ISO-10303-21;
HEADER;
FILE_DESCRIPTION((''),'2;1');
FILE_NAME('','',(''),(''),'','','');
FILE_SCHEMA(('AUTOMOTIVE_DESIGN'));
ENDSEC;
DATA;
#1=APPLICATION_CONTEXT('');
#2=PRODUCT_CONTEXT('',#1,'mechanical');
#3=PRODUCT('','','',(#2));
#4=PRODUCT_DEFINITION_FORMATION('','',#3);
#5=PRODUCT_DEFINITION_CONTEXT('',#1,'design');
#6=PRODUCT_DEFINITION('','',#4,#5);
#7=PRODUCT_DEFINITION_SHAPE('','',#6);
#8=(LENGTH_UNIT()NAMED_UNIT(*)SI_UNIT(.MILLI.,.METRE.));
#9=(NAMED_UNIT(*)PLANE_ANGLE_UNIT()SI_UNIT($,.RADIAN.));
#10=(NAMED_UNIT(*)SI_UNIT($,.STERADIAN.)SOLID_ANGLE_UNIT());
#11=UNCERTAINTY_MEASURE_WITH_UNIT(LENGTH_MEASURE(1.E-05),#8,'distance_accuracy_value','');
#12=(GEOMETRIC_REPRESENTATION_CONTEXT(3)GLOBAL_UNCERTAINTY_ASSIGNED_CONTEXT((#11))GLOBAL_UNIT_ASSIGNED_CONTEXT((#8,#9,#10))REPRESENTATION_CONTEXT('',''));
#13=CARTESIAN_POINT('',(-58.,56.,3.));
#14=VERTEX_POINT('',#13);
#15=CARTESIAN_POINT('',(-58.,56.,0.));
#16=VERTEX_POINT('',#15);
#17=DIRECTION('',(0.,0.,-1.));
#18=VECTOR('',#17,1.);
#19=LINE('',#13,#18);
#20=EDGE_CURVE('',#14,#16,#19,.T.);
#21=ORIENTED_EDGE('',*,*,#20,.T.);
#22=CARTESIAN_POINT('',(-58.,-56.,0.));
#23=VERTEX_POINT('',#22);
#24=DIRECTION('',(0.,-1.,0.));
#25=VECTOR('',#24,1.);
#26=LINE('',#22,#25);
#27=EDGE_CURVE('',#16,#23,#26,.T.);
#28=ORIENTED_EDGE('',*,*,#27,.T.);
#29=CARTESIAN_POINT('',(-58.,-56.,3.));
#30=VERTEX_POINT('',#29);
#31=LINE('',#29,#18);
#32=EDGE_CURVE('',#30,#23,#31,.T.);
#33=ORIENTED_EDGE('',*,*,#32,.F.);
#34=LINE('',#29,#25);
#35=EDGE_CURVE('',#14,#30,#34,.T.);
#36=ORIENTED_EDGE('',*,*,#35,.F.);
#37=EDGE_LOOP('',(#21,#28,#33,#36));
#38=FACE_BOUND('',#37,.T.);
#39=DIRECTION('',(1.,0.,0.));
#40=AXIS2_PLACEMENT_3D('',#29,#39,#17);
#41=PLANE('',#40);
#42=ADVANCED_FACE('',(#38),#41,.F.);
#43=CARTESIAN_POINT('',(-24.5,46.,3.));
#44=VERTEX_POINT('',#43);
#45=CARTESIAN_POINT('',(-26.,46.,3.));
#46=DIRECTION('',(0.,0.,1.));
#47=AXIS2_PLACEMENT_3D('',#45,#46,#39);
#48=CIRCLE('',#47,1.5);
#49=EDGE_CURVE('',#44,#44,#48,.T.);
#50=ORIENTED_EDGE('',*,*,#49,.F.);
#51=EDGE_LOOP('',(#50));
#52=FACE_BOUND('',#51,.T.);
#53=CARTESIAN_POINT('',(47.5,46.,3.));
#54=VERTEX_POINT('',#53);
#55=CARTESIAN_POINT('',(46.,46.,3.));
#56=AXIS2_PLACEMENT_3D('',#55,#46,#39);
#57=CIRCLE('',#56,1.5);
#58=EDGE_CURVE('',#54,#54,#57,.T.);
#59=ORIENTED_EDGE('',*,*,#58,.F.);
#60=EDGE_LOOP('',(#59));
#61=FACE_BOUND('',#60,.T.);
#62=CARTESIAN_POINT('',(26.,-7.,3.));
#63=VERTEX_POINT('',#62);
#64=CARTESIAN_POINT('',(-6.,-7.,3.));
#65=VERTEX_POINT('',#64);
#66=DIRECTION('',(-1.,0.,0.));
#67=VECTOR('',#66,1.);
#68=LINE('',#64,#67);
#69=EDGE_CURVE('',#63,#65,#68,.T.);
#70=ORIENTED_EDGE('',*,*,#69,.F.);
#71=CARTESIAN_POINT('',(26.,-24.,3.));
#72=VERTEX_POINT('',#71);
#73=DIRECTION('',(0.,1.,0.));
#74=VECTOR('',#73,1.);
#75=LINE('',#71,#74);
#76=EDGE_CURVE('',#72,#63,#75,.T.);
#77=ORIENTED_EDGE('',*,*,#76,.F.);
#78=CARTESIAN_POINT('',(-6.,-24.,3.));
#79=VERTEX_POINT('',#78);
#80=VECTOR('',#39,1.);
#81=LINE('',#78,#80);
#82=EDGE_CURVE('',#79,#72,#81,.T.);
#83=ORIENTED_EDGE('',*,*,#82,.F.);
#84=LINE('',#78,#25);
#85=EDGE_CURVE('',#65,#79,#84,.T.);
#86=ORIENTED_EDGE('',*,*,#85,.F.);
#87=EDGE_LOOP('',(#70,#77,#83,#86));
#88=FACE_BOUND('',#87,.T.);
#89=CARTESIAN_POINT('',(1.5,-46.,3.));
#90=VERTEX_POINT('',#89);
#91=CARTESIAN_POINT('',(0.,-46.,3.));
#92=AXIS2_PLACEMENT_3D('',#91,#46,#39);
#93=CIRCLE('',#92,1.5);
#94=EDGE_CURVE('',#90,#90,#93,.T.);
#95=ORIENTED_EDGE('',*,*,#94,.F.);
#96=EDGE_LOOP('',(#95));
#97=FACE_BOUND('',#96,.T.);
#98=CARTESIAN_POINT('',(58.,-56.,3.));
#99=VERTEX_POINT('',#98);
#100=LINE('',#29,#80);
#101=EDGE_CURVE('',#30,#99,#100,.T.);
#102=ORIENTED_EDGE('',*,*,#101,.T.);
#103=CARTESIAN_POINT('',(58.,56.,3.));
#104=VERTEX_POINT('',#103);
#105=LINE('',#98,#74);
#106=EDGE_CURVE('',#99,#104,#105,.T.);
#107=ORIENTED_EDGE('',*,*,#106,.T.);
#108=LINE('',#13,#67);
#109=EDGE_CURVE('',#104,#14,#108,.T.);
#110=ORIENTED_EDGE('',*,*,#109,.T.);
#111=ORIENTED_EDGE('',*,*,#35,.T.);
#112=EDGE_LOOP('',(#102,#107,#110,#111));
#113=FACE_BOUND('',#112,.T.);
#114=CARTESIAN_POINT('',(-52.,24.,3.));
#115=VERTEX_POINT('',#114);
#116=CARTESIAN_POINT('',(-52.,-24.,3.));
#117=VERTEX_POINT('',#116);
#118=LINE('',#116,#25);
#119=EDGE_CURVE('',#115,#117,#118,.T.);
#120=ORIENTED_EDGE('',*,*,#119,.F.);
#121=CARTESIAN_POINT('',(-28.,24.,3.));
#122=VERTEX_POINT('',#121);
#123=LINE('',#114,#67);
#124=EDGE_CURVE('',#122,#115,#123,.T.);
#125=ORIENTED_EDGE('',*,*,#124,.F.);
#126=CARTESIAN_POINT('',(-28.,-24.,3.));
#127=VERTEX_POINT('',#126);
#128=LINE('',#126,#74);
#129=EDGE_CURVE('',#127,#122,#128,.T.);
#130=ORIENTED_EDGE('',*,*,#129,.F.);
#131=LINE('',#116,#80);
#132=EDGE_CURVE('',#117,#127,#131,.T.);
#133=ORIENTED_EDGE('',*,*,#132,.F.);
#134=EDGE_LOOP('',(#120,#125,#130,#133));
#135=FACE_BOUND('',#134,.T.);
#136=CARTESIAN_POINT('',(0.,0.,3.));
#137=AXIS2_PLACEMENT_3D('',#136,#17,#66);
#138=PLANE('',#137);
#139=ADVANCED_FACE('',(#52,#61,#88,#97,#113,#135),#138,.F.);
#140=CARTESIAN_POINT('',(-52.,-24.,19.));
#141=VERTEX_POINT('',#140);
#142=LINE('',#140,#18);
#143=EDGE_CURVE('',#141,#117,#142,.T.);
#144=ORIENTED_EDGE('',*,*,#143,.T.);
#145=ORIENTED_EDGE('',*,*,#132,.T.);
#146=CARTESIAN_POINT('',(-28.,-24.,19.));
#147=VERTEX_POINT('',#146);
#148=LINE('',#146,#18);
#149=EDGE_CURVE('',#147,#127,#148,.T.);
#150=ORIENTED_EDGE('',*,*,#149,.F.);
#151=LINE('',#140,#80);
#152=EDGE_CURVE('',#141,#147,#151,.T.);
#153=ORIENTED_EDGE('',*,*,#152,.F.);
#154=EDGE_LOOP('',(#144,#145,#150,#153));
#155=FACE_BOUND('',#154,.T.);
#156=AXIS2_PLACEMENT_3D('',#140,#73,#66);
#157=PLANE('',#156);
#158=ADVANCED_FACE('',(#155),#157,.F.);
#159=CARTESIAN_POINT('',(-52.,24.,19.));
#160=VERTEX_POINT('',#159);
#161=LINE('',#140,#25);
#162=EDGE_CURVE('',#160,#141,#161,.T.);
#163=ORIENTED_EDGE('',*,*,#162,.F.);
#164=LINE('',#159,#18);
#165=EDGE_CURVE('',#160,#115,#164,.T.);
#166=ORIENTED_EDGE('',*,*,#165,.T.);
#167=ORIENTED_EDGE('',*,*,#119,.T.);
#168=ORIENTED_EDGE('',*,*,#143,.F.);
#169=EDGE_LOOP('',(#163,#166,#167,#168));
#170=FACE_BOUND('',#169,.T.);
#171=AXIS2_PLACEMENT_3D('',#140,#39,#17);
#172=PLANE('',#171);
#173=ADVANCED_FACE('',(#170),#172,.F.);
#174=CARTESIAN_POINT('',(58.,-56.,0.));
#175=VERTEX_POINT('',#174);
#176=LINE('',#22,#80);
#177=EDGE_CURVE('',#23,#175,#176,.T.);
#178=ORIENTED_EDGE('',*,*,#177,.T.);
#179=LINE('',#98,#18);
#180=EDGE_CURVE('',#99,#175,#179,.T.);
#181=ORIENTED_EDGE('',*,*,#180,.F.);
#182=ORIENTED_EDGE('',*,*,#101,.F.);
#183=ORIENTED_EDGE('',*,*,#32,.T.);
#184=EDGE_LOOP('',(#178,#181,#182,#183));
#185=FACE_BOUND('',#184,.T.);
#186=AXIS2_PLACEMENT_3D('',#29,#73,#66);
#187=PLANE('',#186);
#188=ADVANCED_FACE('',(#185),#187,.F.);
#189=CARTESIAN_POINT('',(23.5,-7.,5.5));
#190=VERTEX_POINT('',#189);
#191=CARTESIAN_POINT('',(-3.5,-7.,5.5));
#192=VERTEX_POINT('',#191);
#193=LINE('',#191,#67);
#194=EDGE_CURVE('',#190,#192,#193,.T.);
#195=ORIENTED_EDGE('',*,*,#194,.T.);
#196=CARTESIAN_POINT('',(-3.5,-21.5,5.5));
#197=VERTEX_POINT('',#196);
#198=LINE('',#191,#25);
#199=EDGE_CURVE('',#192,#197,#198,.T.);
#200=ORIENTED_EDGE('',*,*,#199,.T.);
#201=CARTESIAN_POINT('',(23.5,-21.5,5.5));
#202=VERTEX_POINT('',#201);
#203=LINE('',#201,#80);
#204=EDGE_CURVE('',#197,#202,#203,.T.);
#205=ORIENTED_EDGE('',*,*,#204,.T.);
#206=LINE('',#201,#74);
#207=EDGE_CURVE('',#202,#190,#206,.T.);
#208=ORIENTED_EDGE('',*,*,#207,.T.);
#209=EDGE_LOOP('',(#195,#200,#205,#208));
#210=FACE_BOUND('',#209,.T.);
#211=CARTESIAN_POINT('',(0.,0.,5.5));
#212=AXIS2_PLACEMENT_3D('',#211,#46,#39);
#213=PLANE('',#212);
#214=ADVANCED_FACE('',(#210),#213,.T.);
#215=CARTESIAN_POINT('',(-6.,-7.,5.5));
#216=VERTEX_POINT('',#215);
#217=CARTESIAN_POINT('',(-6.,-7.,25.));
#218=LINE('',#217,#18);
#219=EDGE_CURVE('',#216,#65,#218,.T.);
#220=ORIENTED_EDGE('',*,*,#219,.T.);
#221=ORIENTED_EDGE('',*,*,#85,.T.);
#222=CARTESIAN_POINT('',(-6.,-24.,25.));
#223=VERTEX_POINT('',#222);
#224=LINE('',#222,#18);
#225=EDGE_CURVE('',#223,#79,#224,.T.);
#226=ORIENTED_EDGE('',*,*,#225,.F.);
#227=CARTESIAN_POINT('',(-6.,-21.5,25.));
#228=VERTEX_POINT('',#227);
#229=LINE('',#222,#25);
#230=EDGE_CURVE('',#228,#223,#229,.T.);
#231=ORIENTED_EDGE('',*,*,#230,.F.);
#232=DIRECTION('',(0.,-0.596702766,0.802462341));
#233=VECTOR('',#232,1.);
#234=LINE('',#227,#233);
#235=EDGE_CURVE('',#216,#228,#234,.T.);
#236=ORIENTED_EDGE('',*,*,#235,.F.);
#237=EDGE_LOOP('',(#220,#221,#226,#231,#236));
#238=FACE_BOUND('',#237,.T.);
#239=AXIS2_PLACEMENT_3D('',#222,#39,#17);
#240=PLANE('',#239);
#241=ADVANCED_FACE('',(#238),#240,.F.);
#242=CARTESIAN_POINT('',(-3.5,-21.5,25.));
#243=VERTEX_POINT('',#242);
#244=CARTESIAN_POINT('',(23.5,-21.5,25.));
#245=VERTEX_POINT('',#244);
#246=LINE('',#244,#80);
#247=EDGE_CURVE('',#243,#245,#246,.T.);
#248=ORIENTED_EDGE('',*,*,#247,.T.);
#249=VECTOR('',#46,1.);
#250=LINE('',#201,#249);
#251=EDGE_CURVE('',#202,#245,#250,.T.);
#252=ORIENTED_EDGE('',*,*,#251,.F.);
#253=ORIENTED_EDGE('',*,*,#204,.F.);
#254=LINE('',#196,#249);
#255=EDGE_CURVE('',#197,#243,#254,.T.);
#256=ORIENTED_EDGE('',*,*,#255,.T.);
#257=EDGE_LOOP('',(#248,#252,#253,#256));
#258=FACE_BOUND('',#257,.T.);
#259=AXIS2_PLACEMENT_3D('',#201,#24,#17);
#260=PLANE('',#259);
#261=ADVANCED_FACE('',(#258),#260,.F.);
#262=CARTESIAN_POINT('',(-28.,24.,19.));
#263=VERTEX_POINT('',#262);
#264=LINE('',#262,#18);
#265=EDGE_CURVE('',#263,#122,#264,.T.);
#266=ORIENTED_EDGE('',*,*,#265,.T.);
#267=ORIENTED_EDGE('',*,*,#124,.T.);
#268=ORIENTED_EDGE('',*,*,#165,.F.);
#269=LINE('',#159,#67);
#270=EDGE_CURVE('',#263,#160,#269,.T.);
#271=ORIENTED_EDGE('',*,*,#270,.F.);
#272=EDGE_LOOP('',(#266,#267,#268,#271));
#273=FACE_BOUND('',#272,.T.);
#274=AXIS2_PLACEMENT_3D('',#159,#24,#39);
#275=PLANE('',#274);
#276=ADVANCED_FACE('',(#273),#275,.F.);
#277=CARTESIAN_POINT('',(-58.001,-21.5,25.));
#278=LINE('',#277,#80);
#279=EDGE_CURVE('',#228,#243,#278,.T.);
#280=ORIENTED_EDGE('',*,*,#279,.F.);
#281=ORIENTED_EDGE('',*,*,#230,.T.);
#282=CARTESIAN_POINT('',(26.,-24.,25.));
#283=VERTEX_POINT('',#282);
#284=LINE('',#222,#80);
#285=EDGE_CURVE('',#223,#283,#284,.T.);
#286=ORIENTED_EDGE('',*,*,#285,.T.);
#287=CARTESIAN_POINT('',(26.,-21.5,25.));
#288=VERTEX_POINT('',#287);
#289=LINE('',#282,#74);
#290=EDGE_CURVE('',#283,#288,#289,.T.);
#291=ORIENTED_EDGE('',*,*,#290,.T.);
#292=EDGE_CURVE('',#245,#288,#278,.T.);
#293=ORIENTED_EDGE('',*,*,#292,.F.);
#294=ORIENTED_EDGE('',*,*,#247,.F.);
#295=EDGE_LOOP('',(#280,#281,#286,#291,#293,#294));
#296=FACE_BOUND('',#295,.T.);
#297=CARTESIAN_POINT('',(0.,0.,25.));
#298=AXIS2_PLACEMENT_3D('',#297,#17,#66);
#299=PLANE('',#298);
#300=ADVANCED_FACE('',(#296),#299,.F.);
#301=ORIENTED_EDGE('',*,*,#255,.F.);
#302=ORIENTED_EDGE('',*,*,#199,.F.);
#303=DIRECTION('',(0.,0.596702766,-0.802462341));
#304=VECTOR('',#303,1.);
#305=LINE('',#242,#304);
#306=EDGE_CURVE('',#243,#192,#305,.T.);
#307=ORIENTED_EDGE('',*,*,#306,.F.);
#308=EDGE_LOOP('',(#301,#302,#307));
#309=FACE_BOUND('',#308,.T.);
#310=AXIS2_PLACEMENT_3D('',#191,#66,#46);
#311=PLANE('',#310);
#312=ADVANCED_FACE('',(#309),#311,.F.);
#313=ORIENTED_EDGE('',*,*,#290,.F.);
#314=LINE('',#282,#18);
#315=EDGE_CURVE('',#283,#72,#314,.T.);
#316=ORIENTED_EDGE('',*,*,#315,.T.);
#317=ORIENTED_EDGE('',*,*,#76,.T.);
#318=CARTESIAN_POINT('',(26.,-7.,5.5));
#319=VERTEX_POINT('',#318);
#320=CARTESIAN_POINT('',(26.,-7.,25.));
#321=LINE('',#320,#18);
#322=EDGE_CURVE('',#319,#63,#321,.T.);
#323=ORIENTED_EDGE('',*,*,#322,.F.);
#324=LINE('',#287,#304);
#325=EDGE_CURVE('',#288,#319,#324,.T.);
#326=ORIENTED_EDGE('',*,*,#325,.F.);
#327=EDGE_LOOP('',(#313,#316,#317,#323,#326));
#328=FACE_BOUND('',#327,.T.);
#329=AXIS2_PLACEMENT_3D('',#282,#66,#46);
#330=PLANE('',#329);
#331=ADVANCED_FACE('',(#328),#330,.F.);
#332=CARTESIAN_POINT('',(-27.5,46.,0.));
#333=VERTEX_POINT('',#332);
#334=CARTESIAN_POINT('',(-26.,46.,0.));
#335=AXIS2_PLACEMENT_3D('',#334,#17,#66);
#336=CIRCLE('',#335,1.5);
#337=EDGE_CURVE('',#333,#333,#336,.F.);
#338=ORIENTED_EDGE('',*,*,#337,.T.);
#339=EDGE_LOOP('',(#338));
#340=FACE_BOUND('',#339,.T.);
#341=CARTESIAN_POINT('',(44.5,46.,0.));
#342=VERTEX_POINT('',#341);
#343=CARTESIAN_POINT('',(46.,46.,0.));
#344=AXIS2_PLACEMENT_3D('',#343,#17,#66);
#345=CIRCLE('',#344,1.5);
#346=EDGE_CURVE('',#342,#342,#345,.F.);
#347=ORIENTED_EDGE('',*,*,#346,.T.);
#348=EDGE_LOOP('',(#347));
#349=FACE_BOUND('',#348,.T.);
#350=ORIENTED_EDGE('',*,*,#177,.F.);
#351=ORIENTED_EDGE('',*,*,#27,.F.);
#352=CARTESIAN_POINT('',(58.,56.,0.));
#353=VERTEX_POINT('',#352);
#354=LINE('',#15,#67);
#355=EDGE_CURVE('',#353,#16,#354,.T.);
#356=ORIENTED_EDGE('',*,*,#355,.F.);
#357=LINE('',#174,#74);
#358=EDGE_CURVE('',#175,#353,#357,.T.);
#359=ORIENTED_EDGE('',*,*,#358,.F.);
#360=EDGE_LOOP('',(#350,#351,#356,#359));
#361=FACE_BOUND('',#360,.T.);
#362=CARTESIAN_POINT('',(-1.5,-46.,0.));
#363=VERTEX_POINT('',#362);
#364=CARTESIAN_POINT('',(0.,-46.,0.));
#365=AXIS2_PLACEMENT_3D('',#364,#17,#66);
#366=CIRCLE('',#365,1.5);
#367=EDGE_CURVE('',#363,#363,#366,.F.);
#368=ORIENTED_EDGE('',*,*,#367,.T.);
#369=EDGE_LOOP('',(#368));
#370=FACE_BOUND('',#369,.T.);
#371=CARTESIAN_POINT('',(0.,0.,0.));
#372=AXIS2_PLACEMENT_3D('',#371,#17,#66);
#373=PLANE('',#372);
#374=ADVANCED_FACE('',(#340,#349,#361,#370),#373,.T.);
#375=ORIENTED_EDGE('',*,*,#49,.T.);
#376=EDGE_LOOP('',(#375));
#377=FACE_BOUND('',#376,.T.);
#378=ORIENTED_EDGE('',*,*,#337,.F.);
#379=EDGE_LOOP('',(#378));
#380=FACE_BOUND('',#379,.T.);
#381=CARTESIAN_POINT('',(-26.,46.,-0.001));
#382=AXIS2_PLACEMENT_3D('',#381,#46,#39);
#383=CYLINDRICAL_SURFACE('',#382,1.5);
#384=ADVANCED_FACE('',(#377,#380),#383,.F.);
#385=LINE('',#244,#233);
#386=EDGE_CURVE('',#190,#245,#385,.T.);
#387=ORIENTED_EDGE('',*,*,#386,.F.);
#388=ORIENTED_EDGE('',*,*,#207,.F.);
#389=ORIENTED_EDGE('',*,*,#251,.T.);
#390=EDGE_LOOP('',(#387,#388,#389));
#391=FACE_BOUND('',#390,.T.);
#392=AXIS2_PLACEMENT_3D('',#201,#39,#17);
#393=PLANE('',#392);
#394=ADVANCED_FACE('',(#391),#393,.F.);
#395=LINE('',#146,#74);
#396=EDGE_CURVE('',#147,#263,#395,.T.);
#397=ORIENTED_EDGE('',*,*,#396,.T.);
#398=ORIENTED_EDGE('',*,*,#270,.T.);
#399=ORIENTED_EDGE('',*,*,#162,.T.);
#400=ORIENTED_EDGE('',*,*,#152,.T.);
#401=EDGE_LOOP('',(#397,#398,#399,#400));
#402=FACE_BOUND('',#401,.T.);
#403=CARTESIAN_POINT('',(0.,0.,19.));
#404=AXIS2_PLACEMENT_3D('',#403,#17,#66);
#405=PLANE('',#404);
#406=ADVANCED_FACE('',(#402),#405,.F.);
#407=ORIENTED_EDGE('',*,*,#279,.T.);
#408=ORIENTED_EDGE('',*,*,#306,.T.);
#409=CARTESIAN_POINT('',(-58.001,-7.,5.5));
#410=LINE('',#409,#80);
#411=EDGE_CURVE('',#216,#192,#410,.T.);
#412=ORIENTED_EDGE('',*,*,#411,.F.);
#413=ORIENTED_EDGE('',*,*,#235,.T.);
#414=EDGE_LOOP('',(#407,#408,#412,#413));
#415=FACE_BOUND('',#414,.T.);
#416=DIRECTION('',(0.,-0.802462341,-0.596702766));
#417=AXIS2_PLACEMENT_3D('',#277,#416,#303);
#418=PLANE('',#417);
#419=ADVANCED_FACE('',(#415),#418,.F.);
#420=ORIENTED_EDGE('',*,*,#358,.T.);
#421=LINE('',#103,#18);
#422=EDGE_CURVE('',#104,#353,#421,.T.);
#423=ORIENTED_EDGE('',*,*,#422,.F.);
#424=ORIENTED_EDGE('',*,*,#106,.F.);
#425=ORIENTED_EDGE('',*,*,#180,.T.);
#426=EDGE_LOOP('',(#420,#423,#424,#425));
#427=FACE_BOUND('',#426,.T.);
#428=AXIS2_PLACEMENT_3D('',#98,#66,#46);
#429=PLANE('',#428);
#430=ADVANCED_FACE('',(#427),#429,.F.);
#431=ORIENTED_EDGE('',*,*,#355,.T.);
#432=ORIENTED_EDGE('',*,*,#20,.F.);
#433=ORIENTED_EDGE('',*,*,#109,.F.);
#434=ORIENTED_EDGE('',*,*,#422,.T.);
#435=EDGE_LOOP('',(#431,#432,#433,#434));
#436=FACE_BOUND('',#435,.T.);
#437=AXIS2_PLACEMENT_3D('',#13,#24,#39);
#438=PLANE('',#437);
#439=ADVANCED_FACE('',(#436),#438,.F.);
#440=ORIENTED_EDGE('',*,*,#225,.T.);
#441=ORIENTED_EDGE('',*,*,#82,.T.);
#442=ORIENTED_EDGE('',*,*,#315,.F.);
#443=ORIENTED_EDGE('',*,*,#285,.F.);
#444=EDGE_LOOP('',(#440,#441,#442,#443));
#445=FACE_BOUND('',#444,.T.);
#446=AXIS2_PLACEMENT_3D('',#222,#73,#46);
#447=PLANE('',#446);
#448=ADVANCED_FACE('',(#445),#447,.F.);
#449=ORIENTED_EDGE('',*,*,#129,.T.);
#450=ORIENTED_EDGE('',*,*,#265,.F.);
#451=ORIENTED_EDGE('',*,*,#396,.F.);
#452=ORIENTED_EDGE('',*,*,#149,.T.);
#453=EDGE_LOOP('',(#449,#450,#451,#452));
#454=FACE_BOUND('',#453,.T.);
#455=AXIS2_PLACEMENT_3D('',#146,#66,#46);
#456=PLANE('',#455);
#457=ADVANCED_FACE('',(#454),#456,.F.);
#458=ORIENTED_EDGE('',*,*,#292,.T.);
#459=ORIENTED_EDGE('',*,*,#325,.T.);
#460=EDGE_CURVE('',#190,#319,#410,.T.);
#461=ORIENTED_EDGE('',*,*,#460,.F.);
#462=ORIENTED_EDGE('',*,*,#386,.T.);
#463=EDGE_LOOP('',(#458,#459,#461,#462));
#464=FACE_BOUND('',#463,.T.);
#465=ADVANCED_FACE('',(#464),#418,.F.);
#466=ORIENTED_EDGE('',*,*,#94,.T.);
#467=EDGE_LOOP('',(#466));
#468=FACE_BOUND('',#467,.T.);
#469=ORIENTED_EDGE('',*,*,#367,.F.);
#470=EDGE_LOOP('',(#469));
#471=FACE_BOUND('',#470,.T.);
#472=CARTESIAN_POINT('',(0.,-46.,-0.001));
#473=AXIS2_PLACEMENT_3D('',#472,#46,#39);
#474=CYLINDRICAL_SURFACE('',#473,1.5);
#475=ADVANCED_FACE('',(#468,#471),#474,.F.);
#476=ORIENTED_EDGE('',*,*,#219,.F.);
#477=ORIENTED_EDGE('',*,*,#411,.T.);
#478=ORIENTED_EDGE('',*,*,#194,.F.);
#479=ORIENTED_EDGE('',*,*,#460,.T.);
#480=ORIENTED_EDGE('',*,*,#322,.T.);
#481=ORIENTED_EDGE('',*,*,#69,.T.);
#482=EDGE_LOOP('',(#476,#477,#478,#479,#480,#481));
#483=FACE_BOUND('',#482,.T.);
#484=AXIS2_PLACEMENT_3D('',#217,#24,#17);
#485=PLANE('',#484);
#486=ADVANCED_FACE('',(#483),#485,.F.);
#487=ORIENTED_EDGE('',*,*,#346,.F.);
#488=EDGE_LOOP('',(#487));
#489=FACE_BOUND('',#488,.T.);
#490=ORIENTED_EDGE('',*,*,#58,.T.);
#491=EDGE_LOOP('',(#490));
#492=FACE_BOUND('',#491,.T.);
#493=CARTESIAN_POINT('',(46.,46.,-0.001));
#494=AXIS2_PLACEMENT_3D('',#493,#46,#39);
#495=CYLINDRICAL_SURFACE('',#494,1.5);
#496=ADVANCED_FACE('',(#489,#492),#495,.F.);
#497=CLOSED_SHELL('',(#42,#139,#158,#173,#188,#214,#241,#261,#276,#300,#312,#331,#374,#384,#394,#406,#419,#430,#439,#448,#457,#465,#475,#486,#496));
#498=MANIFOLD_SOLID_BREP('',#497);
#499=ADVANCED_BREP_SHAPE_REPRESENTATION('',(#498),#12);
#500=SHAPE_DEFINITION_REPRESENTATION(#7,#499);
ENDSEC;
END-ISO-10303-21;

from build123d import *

# Parameters (mm, degrees)
SKETCH1_W           = 116
SKETCH1_H           = 112
BOSS_EXTRUDE1_DEPTH = 3
SKETCH2_W           = 24
SKETCH2_H           = 48
BOSS_EXTRUDE2_DEPTH = 16
SKETCH3_W           = 32
SKETCH3_H           = 17
BOSS_EXTRUDE3_DEPTH = 22
CUT_EXTRUDE1_REACH  = 86
SKETCH5_W           = 27
SKETCH5_H           = 14.5
CUT_EXTRUDE2_DEPTH  = 19.5
CUT_EXTRUDE3_REACH  = 5
SKETCH6_R           = 1.5


with BuildPart() as part:
    # Sketch1 → Boss-Extrude1 (new body)
    with BuildSketch(Plane.XY):
        Rectangle(SKETCH1_W, SKETCH1_H)
    extrude(amount=BOSS_EXTRUDE1_DEPTH)

    # Sketch2 → Boss-Extrude2 (add)
    with BuildSketch(Plane.XY.offset(3)):
        with Locations((-40, 0)):
            Rectangle(SKETCH2_W, SKETCH2_H)
    extrude(amount=BOSS_EXTRUDE2_DEPTH)

    # Sketch3 → Boss-Extrude3 (add)
    with BuildSketch(Plane.XY.offset(3)):
        with Locations((10, -15.5)):
            Rectangle(SKETCH3_W, SKETCH3_H)
    extrude(amount=BOSS_EXTRUDE3_DEPTH)

    # Sketch4 → Cut-Extrude1 (cut, up to next)
    with BuildSketch(Plane(origin=(26, 0, 0), x_dir=(0, 0, -1), z_dir=(1, 0, 0)), mode=Mode.PRIVATE) as cut_extrude1_sk1:
        Polygon((-25, -21.5), (-5.5, -7), (-25, -7), align=None)
    cut_extrude1_tool1 = extrude(cut_extrude1_sk1.sketch, amount=-CUT_EXTRUDE1_REACH, mode=Mode.PRIVATE) & part.part
    add(cut_extrude1_tool1.solids().sort_by_distance((26, -11.833333, 18.5))[0], mode=Mode.SUBTRACT)

    # Sketch5 → Cut-Extrude2 (cut)
    with BuildSketch(Plane.XY.offset(25)):
        with Locations((10, -14.25)):
            Rectangle(SKETCH5_W, SKETCH5_H)
    extrude(amount=-CUT_EXTRUDE2_DEPTH, mode=Mode.SUBTRACT)

    # Sketch6 → Cut-Extrude3 (cut, up to next)
    with BuildSketch(Plane.XY.offset(3), mode=Mode.PRIVATE) as cut_extrude3_sk1:
        with Locations((-26, 46)):
            Circle(SKETCH6_R)
    cut_extrude3_tool1 = extrude(cut_extrude3_sk1.sketch, amount=-CUT_EXTRUDE3_REACH, mode=Mode.PRIVATE) & part.part
    add(cut_extrude3_tool1.solids().sort_by_distance((-26, 46, 3))[0], mode=Mode.SUBTRACT)
    # Sketch6 → Cut-Extrude3 (cut, up to next)
    with BuildSketch(Plane.XY.offset(3), mode=Mode.PRIVATE) as cut_extrude3_sk2:
        with Locations((46, 46)):
            Circle(SKETCH6_R)
    cut_extrude3_tool2 = extrude(cut_extrude3_sk2.sketch, amount=-CUT_EXTRUDE3_REACH, mode=Mode.PRIVATE) & part.part
    add(cut_extrude3_tool2.solids().sort_by_distance((46, 46, 3))[0], mode=Mode.SUBTRACT)
    # Sketch6 → Cut-Extrude3 (cut, up to next)
    with BuildSketch(Plane.XY.offset(3), mode=Mode.PRIVATE) as cut_extrude3_sk3:
        with Locations((0, -46)):
            Circle(SKETCH6_R)
    cut_extrude3_tool3 = extrude(cut_extrude3_sk3.sketch, amount=-CUT_EXTRUDE3_REACH, mode=Mode.PRIVATE) & part.part
    add(cut_extrude3_tool3.solids().sort_by_distance((0, -46, 3))[0], mode=Mode.SUBTRACT)


solid = part.part
